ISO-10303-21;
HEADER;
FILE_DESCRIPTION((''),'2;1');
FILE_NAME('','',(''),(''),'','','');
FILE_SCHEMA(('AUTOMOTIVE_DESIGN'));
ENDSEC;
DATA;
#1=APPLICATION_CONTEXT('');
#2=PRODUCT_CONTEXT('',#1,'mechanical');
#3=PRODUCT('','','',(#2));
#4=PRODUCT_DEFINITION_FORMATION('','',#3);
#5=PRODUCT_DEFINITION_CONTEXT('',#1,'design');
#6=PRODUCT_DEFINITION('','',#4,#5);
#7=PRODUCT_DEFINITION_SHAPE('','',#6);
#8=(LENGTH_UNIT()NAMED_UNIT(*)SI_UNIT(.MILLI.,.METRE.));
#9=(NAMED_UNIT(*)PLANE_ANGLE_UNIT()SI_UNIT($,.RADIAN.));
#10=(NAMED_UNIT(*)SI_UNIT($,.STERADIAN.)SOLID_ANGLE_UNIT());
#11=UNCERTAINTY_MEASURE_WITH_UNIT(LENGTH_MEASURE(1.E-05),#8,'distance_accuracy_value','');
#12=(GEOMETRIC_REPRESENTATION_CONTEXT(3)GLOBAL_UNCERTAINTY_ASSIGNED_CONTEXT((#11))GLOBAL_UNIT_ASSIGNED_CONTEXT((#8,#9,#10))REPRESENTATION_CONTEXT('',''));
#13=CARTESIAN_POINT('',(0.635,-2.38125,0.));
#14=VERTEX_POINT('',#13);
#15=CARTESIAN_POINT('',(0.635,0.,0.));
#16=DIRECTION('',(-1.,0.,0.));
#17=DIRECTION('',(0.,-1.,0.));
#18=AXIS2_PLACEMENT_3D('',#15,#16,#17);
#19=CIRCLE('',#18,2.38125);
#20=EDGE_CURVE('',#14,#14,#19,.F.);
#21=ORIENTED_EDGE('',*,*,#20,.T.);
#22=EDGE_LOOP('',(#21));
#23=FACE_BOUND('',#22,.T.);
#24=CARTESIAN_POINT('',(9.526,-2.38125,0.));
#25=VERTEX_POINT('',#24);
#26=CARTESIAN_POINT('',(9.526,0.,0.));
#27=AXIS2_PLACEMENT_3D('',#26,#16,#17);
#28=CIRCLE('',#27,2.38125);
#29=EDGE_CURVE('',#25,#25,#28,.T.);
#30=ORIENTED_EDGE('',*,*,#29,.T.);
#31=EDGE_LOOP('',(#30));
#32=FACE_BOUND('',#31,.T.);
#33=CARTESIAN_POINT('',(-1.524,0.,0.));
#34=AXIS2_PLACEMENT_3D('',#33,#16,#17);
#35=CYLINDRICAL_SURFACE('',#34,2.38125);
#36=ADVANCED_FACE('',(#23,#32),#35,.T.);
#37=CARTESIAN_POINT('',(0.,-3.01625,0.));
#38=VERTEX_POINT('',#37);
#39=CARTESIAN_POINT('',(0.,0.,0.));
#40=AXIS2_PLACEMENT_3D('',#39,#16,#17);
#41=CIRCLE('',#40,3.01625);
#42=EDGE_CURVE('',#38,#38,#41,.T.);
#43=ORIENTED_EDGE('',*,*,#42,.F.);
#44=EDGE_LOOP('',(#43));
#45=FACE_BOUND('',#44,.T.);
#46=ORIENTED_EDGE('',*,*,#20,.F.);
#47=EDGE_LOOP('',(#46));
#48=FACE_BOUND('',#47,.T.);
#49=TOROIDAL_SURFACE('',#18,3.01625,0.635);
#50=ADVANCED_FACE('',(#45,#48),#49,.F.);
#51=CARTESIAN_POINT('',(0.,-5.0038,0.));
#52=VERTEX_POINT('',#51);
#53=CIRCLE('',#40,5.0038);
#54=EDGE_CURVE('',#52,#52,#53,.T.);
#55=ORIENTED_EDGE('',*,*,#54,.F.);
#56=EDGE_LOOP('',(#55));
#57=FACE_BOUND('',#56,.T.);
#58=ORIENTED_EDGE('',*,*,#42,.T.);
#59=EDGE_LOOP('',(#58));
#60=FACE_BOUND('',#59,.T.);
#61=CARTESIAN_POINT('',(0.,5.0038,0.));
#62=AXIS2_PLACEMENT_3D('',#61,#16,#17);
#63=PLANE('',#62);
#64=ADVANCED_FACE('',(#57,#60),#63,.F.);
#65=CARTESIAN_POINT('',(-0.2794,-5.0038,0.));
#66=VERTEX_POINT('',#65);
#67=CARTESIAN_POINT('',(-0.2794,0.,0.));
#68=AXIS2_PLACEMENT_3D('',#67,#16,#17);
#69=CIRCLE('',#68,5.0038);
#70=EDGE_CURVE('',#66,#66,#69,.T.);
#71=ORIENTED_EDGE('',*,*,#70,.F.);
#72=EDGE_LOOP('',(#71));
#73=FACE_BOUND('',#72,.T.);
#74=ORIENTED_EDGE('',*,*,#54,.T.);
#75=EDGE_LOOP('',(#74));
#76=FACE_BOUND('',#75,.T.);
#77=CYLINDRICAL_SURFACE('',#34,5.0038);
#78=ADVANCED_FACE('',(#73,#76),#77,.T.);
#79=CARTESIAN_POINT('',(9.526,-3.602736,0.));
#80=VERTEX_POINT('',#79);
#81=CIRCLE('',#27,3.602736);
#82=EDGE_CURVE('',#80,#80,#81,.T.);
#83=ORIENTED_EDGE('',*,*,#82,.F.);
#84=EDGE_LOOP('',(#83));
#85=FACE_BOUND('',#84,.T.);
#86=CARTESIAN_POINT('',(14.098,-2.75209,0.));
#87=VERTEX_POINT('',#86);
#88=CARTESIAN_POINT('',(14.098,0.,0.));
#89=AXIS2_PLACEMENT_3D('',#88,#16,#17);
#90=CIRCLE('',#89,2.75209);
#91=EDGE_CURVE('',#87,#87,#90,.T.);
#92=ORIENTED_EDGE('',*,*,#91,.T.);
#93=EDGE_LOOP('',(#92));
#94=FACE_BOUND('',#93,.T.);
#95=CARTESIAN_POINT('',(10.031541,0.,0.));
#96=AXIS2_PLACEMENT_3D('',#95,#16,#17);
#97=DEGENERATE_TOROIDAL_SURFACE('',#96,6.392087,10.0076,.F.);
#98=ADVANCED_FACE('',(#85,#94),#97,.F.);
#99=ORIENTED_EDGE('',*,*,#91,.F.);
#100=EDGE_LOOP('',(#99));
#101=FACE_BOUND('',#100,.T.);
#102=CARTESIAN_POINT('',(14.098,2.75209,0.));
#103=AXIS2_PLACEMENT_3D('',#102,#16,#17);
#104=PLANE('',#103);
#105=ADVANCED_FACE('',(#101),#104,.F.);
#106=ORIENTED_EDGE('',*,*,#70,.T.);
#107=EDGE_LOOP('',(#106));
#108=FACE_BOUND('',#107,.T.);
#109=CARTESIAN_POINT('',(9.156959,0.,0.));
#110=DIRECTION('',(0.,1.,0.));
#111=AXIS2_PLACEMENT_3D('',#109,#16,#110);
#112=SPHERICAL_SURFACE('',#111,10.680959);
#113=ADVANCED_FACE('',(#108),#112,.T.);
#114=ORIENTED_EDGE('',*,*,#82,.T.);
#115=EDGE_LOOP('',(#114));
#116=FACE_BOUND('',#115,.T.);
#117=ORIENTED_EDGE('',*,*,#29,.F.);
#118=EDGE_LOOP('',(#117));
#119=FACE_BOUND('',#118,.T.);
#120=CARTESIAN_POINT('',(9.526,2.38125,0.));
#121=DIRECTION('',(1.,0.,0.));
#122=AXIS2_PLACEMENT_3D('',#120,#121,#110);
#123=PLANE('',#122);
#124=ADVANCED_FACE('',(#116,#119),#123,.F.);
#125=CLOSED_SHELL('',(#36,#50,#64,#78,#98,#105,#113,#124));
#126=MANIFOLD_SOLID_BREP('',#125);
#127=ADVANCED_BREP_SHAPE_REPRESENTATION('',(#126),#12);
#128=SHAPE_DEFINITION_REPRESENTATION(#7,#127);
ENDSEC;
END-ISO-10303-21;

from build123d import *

# Parameters (mm, degrees)
FILLET1_R = 0.635


with BuildPart() as part:
    # Sketch1 → Body (revolve)
    with BuildSketch(Plane.XY, mode=Mode.PRIVATE) as body_sk:
        with BuildLine():
            Line((-0.2794, 5.0038), (0, 5.0038))
            Line((0, 5.0038), (0, 2.38125))
            Line((0, 2.38125), (9.526, 2.38125))
            Line((9.526, 2.38125), (9.526, 3.602736))
            ThreePointArc((9.526, 3.602736), (11.862096638, 3.446669338), (14.098, 2.75209))
            Line((14.098, 2.75209), (14.098, 0))
            Line((14.098, 0), (-1.524, 0))
            ThreePointArc((-1.524, 0), (-1.208180863, 2.578131281), (-0.2794, 5.0038))
        make_face()
    revolve(body_sk.sketch.rotate(Axis((-1.524, 0, 0), (1, 0, 0)), 180), axis=Axis((-1.524, 0, 0), (1, 0, 0)))

    # Fillet1
    fillet1_edges = [part.edges().sort_by_distance(p)[0] for p in [
        (0, 2.38125, 0),
    ]]
    fillet(fillet1_edges, radius=FILLET1_R)


solid = part.part
